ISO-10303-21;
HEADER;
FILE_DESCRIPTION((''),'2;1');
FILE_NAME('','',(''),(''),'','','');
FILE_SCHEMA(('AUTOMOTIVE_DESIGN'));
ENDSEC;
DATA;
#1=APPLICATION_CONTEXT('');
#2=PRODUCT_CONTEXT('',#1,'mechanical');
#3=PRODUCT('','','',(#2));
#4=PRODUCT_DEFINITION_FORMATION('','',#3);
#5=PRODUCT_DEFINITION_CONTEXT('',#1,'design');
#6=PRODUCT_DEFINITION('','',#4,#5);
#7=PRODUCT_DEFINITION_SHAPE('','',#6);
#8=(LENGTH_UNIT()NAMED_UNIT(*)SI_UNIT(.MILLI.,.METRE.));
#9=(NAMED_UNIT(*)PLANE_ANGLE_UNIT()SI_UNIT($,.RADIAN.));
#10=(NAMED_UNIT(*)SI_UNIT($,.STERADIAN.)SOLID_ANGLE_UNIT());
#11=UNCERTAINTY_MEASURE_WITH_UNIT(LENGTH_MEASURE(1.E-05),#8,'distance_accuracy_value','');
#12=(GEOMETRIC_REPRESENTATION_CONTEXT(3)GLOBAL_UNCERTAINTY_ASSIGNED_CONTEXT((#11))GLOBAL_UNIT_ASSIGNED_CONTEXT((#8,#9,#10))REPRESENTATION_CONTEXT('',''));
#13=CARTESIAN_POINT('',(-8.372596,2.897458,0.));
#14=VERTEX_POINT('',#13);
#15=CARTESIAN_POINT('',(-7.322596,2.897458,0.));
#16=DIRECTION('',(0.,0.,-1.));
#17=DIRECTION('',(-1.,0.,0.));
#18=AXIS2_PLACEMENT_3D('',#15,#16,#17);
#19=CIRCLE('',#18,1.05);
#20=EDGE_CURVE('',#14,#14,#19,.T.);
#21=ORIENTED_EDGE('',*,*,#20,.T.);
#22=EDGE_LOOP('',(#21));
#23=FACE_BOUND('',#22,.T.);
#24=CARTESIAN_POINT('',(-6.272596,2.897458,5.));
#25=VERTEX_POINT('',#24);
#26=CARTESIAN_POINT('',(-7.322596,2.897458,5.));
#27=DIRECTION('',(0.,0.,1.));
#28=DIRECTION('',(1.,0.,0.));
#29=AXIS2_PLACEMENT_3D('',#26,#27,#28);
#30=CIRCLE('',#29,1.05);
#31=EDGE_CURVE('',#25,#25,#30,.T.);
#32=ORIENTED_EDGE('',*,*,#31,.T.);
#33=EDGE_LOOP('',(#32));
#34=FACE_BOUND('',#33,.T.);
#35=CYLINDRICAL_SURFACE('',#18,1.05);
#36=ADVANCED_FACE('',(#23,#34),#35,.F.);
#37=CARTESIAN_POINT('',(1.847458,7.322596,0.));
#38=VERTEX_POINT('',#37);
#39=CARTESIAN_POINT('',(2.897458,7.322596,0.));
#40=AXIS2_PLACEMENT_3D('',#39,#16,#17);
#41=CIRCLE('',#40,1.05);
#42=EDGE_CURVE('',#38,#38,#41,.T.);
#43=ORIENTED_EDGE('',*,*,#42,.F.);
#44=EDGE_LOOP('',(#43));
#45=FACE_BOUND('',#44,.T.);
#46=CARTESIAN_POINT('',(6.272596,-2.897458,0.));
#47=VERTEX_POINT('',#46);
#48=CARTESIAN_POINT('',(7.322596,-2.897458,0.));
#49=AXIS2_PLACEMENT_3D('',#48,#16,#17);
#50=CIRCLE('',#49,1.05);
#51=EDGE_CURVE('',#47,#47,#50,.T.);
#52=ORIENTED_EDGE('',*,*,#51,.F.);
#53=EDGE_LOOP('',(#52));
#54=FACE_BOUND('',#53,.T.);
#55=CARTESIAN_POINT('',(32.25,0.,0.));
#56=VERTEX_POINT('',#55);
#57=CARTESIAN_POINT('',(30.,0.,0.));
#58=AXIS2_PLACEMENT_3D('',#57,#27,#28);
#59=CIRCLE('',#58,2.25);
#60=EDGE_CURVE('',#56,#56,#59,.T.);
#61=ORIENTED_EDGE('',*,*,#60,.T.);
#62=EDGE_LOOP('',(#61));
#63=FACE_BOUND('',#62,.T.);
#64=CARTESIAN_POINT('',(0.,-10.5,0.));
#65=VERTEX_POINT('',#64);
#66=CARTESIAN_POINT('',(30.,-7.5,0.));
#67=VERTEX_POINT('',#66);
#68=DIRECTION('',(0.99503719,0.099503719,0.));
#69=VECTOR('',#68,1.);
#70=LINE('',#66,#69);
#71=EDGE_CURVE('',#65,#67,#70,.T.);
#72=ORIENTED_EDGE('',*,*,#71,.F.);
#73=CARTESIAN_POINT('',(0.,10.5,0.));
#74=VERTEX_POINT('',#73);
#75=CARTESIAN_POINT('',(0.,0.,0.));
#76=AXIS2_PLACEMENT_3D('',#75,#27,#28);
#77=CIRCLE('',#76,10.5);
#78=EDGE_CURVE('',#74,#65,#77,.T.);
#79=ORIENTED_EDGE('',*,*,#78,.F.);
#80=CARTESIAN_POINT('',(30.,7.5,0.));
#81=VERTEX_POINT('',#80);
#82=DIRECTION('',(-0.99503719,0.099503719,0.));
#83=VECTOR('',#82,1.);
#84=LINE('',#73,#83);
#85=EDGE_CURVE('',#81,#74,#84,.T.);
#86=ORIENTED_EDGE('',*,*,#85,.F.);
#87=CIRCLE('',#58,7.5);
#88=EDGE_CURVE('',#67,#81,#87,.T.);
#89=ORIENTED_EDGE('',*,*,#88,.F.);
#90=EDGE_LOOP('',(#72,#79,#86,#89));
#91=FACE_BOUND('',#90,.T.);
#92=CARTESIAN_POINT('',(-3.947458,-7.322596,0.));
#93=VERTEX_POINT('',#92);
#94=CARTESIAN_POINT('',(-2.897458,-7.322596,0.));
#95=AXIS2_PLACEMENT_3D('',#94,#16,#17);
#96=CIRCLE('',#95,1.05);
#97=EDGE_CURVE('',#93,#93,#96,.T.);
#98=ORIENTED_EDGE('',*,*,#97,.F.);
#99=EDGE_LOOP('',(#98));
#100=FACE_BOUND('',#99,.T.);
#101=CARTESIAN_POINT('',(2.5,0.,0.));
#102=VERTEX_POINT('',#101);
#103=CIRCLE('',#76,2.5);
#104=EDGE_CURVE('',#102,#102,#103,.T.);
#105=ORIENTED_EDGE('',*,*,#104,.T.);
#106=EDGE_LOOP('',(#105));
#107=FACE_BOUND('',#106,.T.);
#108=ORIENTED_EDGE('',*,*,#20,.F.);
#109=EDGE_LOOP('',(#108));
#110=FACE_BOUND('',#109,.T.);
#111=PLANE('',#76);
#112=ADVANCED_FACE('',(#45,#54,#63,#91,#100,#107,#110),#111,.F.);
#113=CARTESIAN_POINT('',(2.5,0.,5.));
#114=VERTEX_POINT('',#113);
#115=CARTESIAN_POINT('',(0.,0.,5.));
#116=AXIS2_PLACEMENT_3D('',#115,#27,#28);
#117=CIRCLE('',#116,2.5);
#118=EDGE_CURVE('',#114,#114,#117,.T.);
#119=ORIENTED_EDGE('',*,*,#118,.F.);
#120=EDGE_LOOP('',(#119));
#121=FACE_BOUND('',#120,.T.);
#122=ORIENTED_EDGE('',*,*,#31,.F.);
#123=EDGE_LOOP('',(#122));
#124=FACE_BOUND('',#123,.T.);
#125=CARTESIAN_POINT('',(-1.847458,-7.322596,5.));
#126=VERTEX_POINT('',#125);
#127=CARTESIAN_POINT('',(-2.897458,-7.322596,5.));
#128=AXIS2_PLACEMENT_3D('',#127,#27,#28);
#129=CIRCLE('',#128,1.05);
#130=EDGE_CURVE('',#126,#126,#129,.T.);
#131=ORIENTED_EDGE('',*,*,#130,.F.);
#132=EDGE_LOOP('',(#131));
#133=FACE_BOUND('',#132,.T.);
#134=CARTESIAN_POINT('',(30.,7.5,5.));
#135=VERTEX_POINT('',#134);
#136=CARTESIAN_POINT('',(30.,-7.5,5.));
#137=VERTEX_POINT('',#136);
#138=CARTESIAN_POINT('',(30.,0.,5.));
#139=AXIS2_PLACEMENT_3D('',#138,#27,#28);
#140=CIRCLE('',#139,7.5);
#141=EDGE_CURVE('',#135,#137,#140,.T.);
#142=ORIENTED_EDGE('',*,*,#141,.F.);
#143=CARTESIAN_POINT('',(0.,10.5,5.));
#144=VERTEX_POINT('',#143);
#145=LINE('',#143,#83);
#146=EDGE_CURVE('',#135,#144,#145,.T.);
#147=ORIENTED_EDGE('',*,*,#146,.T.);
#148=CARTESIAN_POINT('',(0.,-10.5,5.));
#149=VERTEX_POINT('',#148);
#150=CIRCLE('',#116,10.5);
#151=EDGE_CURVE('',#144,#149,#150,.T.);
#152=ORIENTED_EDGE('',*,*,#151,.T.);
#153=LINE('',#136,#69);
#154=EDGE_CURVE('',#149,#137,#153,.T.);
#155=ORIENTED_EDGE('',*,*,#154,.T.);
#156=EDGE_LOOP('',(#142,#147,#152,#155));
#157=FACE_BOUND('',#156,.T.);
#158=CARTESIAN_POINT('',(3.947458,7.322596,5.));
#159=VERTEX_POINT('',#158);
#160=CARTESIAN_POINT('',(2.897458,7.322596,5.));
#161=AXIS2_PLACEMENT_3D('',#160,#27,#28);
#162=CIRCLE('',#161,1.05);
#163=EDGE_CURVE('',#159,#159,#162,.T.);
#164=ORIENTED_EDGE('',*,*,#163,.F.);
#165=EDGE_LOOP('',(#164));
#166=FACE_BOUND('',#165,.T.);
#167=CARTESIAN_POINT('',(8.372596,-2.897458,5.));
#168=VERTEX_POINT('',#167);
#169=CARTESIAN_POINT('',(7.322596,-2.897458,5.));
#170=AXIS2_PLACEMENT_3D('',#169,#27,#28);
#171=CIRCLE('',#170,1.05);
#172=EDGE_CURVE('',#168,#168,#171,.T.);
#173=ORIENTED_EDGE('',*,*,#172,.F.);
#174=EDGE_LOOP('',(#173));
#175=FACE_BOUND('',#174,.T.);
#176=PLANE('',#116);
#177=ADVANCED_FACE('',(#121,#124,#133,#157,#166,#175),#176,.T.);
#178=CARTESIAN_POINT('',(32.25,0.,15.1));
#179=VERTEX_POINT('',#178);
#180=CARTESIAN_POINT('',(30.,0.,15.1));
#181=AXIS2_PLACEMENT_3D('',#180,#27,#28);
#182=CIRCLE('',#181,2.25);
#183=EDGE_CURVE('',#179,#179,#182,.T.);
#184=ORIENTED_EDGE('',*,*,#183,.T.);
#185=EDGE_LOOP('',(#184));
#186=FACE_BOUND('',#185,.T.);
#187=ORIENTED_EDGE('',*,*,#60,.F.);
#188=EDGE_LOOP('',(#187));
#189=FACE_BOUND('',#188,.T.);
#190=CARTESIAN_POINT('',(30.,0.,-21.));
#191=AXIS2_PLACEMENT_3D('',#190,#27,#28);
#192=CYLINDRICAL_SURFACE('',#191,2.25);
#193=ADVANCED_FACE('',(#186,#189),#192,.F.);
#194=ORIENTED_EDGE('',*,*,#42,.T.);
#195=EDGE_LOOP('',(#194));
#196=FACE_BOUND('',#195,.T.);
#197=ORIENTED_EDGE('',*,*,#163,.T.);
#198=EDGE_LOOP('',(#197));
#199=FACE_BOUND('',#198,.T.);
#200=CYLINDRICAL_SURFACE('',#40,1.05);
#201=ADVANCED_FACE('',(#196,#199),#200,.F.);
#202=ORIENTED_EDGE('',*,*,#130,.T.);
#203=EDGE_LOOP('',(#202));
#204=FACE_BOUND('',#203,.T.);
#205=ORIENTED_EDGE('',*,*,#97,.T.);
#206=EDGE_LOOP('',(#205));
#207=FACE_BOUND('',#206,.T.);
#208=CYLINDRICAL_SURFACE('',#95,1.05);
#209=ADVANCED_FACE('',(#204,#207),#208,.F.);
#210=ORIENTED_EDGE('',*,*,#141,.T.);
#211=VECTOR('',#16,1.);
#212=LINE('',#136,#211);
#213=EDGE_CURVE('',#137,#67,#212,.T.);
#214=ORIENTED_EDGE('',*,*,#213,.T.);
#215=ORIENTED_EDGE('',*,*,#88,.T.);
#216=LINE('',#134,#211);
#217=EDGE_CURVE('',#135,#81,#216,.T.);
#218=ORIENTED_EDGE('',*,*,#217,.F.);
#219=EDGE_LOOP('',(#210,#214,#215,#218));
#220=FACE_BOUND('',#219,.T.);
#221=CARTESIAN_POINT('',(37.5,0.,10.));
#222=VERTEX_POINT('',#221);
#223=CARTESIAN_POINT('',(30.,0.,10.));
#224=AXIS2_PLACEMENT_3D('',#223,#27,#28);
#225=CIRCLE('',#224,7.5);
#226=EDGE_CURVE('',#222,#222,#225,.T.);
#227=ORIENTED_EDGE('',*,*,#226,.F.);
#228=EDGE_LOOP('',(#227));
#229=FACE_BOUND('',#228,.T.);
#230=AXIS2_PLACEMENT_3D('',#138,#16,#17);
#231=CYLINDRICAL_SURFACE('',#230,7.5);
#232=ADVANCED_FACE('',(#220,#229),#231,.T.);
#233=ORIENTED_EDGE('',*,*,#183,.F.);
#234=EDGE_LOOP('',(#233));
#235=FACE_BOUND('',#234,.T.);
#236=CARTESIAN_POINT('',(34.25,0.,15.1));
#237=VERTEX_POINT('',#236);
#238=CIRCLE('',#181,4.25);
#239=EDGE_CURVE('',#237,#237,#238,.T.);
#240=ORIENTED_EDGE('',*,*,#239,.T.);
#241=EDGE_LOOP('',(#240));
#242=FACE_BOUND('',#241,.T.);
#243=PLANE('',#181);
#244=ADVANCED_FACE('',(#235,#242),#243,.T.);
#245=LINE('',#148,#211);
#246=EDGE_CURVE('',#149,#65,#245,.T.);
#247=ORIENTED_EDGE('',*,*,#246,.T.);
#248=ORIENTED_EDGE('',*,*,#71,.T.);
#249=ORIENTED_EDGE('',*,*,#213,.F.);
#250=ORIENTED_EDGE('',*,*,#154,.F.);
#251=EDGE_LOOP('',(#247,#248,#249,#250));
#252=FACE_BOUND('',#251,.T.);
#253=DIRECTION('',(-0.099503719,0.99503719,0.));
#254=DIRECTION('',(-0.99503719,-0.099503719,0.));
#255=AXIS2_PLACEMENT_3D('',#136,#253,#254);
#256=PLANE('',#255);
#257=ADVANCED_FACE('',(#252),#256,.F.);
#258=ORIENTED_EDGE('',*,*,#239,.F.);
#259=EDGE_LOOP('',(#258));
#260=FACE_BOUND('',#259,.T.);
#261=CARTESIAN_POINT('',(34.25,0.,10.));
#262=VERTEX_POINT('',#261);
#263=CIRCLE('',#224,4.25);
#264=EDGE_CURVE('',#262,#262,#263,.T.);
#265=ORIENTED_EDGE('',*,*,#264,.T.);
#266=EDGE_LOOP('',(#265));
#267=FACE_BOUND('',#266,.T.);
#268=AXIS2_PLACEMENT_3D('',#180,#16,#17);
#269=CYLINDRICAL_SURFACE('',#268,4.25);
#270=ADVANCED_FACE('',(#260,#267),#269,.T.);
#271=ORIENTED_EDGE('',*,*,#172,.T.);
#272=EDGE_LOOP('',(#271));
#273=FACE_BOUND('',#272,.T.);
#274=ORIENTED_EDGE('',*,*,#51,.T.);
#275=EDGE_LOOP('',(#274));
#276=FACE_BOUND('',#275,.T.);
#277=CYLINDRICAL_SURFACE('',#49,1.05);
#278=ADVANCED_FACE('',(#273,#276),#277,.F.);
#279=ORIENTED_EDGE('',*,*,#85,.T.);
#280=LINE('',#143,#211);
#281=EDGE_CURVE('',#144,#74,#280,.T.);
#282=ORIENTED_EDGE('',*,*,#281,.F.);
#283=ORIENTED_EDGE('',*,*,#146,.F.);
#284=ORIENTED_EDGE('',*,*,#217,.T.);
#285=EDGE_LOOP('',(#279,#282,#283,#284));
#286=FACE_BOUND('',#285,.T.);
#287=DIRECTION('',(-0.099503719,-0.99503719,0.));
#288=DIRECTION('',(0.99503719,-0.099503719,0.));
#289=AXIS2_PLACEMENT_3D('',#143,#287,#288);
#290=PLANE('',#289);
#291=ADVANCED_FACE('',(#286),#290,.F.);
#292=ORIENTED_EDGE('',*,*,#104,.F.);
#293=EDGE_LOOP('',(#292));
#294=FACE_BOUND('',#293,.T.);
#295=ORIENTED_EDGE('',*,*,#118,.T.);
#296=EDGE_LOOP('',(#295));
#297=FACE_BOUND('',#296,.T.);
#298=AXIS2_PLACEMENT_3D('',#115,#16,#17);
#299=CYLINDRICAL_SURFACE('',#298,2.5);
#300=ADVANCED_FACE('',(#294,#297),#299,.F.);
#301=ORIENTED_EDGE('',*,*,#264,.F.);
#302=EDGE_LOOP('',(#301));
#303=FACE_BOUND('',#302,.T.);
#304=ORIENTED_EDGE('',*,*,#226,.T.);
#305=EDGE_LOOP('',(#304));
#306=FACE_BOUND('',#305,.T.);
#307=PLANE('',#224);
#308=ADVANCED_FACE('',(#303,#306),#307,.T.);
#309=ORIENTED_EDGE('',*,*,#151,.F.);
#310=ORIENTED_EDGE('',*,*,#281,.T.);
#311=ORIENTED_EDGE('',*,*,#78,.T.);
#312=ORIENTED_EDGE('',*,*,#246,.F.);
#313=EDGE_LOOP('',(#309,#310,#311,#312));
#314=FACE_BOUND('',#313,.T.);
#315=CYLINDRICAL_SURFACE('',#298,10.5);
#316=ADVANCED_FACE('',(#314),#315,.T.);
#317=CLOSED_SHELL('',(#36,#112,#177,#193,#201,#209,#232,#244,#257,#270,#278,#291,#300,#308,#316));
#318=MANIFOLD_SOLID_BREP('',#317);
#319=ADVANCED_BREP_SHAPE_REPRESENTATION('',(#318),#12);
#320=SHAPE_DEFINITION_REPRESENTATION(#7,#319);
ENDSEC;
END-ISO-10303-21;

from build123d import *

# Parameters (mm, degrees)
SKETCH_1_R           = 2.5
EXTRUDE_1_DEPTH      = 5
SKETCH_2_R           = 7.5
EXTRUDE_2_DEPTH      = 5
SKETCH_3_R           = 4.25
EXTRUDE_3_DEPTH      = 5.1
SKETCH_4_R           = 2.25
CUT_EXTRUDE_1_DEPTH  = 36.1
HOLE_WIZARD_M1_8_1_D = 2.1


with BuildPart() as part:
    # 스케치1 → 보스-돌출1 (new body)
    with BuildSketch(Plane.XY):
        with BuildLine():
            Line((0, 10.5), (30, 7.5))
            ThreePointArc((30, 7.5), (37.5, 0), (30, -7.5))
            Line((30, -7.5), (0, -10.5))
            ThreePointArc((0, -10.5), (-10.5, 0), (0, 10.5))
        make_face()
        Circle(SKETCH_1_R, mode=Mode.SUBTRACT)
    extrude(amount=EXTRUDE_1_DEPTH)

    # 스케치2 → 보스-돌출2 (add)
    with BuildSketch(Plane.XY.offset(5)):
        with Locations(Location((30, 0, 0), (0, 0, 90))):
            Circle(SKETCH_2_R)
    extrude(amount=EXTRUDE_2_DEPTH)

    # 스케치3 → 보스-돌출3 (add)
    with BuildSketch(Plane.XY.offset(10)):
        with Locations((30, 0)):
            Circle(SKETCH_3_R)
    extrude(amount=EXTRUDE_3_DEPTH)

    # 스케치4 → 컷-돌출1 (cut)
    with BuildSketch(Plane.XY.offset(15.1)):
        with Locations((30, 0)):
            Circle(SKETCH_4_R)
    extrude(amount=-CUT_EXTRUDE_1_DEPTH, mode=Mode.SUBTRACT)

    # M1.8 여유 구멍1 (through all)
    with Locations(Plane(origin=(0, 0, 0), x_dir=(-1, 0, 0), z_dir=(0, 0, -1))):
        with Locations((2.897458491, -7.322595938), (-7.322595938, -2.897458491), (7.322595938, 2.897458491), (-2.897458491, 7.322595938)):
            Hole(HOLE_WIZARD_M1_8_1_D / 2)


solid = part.part
